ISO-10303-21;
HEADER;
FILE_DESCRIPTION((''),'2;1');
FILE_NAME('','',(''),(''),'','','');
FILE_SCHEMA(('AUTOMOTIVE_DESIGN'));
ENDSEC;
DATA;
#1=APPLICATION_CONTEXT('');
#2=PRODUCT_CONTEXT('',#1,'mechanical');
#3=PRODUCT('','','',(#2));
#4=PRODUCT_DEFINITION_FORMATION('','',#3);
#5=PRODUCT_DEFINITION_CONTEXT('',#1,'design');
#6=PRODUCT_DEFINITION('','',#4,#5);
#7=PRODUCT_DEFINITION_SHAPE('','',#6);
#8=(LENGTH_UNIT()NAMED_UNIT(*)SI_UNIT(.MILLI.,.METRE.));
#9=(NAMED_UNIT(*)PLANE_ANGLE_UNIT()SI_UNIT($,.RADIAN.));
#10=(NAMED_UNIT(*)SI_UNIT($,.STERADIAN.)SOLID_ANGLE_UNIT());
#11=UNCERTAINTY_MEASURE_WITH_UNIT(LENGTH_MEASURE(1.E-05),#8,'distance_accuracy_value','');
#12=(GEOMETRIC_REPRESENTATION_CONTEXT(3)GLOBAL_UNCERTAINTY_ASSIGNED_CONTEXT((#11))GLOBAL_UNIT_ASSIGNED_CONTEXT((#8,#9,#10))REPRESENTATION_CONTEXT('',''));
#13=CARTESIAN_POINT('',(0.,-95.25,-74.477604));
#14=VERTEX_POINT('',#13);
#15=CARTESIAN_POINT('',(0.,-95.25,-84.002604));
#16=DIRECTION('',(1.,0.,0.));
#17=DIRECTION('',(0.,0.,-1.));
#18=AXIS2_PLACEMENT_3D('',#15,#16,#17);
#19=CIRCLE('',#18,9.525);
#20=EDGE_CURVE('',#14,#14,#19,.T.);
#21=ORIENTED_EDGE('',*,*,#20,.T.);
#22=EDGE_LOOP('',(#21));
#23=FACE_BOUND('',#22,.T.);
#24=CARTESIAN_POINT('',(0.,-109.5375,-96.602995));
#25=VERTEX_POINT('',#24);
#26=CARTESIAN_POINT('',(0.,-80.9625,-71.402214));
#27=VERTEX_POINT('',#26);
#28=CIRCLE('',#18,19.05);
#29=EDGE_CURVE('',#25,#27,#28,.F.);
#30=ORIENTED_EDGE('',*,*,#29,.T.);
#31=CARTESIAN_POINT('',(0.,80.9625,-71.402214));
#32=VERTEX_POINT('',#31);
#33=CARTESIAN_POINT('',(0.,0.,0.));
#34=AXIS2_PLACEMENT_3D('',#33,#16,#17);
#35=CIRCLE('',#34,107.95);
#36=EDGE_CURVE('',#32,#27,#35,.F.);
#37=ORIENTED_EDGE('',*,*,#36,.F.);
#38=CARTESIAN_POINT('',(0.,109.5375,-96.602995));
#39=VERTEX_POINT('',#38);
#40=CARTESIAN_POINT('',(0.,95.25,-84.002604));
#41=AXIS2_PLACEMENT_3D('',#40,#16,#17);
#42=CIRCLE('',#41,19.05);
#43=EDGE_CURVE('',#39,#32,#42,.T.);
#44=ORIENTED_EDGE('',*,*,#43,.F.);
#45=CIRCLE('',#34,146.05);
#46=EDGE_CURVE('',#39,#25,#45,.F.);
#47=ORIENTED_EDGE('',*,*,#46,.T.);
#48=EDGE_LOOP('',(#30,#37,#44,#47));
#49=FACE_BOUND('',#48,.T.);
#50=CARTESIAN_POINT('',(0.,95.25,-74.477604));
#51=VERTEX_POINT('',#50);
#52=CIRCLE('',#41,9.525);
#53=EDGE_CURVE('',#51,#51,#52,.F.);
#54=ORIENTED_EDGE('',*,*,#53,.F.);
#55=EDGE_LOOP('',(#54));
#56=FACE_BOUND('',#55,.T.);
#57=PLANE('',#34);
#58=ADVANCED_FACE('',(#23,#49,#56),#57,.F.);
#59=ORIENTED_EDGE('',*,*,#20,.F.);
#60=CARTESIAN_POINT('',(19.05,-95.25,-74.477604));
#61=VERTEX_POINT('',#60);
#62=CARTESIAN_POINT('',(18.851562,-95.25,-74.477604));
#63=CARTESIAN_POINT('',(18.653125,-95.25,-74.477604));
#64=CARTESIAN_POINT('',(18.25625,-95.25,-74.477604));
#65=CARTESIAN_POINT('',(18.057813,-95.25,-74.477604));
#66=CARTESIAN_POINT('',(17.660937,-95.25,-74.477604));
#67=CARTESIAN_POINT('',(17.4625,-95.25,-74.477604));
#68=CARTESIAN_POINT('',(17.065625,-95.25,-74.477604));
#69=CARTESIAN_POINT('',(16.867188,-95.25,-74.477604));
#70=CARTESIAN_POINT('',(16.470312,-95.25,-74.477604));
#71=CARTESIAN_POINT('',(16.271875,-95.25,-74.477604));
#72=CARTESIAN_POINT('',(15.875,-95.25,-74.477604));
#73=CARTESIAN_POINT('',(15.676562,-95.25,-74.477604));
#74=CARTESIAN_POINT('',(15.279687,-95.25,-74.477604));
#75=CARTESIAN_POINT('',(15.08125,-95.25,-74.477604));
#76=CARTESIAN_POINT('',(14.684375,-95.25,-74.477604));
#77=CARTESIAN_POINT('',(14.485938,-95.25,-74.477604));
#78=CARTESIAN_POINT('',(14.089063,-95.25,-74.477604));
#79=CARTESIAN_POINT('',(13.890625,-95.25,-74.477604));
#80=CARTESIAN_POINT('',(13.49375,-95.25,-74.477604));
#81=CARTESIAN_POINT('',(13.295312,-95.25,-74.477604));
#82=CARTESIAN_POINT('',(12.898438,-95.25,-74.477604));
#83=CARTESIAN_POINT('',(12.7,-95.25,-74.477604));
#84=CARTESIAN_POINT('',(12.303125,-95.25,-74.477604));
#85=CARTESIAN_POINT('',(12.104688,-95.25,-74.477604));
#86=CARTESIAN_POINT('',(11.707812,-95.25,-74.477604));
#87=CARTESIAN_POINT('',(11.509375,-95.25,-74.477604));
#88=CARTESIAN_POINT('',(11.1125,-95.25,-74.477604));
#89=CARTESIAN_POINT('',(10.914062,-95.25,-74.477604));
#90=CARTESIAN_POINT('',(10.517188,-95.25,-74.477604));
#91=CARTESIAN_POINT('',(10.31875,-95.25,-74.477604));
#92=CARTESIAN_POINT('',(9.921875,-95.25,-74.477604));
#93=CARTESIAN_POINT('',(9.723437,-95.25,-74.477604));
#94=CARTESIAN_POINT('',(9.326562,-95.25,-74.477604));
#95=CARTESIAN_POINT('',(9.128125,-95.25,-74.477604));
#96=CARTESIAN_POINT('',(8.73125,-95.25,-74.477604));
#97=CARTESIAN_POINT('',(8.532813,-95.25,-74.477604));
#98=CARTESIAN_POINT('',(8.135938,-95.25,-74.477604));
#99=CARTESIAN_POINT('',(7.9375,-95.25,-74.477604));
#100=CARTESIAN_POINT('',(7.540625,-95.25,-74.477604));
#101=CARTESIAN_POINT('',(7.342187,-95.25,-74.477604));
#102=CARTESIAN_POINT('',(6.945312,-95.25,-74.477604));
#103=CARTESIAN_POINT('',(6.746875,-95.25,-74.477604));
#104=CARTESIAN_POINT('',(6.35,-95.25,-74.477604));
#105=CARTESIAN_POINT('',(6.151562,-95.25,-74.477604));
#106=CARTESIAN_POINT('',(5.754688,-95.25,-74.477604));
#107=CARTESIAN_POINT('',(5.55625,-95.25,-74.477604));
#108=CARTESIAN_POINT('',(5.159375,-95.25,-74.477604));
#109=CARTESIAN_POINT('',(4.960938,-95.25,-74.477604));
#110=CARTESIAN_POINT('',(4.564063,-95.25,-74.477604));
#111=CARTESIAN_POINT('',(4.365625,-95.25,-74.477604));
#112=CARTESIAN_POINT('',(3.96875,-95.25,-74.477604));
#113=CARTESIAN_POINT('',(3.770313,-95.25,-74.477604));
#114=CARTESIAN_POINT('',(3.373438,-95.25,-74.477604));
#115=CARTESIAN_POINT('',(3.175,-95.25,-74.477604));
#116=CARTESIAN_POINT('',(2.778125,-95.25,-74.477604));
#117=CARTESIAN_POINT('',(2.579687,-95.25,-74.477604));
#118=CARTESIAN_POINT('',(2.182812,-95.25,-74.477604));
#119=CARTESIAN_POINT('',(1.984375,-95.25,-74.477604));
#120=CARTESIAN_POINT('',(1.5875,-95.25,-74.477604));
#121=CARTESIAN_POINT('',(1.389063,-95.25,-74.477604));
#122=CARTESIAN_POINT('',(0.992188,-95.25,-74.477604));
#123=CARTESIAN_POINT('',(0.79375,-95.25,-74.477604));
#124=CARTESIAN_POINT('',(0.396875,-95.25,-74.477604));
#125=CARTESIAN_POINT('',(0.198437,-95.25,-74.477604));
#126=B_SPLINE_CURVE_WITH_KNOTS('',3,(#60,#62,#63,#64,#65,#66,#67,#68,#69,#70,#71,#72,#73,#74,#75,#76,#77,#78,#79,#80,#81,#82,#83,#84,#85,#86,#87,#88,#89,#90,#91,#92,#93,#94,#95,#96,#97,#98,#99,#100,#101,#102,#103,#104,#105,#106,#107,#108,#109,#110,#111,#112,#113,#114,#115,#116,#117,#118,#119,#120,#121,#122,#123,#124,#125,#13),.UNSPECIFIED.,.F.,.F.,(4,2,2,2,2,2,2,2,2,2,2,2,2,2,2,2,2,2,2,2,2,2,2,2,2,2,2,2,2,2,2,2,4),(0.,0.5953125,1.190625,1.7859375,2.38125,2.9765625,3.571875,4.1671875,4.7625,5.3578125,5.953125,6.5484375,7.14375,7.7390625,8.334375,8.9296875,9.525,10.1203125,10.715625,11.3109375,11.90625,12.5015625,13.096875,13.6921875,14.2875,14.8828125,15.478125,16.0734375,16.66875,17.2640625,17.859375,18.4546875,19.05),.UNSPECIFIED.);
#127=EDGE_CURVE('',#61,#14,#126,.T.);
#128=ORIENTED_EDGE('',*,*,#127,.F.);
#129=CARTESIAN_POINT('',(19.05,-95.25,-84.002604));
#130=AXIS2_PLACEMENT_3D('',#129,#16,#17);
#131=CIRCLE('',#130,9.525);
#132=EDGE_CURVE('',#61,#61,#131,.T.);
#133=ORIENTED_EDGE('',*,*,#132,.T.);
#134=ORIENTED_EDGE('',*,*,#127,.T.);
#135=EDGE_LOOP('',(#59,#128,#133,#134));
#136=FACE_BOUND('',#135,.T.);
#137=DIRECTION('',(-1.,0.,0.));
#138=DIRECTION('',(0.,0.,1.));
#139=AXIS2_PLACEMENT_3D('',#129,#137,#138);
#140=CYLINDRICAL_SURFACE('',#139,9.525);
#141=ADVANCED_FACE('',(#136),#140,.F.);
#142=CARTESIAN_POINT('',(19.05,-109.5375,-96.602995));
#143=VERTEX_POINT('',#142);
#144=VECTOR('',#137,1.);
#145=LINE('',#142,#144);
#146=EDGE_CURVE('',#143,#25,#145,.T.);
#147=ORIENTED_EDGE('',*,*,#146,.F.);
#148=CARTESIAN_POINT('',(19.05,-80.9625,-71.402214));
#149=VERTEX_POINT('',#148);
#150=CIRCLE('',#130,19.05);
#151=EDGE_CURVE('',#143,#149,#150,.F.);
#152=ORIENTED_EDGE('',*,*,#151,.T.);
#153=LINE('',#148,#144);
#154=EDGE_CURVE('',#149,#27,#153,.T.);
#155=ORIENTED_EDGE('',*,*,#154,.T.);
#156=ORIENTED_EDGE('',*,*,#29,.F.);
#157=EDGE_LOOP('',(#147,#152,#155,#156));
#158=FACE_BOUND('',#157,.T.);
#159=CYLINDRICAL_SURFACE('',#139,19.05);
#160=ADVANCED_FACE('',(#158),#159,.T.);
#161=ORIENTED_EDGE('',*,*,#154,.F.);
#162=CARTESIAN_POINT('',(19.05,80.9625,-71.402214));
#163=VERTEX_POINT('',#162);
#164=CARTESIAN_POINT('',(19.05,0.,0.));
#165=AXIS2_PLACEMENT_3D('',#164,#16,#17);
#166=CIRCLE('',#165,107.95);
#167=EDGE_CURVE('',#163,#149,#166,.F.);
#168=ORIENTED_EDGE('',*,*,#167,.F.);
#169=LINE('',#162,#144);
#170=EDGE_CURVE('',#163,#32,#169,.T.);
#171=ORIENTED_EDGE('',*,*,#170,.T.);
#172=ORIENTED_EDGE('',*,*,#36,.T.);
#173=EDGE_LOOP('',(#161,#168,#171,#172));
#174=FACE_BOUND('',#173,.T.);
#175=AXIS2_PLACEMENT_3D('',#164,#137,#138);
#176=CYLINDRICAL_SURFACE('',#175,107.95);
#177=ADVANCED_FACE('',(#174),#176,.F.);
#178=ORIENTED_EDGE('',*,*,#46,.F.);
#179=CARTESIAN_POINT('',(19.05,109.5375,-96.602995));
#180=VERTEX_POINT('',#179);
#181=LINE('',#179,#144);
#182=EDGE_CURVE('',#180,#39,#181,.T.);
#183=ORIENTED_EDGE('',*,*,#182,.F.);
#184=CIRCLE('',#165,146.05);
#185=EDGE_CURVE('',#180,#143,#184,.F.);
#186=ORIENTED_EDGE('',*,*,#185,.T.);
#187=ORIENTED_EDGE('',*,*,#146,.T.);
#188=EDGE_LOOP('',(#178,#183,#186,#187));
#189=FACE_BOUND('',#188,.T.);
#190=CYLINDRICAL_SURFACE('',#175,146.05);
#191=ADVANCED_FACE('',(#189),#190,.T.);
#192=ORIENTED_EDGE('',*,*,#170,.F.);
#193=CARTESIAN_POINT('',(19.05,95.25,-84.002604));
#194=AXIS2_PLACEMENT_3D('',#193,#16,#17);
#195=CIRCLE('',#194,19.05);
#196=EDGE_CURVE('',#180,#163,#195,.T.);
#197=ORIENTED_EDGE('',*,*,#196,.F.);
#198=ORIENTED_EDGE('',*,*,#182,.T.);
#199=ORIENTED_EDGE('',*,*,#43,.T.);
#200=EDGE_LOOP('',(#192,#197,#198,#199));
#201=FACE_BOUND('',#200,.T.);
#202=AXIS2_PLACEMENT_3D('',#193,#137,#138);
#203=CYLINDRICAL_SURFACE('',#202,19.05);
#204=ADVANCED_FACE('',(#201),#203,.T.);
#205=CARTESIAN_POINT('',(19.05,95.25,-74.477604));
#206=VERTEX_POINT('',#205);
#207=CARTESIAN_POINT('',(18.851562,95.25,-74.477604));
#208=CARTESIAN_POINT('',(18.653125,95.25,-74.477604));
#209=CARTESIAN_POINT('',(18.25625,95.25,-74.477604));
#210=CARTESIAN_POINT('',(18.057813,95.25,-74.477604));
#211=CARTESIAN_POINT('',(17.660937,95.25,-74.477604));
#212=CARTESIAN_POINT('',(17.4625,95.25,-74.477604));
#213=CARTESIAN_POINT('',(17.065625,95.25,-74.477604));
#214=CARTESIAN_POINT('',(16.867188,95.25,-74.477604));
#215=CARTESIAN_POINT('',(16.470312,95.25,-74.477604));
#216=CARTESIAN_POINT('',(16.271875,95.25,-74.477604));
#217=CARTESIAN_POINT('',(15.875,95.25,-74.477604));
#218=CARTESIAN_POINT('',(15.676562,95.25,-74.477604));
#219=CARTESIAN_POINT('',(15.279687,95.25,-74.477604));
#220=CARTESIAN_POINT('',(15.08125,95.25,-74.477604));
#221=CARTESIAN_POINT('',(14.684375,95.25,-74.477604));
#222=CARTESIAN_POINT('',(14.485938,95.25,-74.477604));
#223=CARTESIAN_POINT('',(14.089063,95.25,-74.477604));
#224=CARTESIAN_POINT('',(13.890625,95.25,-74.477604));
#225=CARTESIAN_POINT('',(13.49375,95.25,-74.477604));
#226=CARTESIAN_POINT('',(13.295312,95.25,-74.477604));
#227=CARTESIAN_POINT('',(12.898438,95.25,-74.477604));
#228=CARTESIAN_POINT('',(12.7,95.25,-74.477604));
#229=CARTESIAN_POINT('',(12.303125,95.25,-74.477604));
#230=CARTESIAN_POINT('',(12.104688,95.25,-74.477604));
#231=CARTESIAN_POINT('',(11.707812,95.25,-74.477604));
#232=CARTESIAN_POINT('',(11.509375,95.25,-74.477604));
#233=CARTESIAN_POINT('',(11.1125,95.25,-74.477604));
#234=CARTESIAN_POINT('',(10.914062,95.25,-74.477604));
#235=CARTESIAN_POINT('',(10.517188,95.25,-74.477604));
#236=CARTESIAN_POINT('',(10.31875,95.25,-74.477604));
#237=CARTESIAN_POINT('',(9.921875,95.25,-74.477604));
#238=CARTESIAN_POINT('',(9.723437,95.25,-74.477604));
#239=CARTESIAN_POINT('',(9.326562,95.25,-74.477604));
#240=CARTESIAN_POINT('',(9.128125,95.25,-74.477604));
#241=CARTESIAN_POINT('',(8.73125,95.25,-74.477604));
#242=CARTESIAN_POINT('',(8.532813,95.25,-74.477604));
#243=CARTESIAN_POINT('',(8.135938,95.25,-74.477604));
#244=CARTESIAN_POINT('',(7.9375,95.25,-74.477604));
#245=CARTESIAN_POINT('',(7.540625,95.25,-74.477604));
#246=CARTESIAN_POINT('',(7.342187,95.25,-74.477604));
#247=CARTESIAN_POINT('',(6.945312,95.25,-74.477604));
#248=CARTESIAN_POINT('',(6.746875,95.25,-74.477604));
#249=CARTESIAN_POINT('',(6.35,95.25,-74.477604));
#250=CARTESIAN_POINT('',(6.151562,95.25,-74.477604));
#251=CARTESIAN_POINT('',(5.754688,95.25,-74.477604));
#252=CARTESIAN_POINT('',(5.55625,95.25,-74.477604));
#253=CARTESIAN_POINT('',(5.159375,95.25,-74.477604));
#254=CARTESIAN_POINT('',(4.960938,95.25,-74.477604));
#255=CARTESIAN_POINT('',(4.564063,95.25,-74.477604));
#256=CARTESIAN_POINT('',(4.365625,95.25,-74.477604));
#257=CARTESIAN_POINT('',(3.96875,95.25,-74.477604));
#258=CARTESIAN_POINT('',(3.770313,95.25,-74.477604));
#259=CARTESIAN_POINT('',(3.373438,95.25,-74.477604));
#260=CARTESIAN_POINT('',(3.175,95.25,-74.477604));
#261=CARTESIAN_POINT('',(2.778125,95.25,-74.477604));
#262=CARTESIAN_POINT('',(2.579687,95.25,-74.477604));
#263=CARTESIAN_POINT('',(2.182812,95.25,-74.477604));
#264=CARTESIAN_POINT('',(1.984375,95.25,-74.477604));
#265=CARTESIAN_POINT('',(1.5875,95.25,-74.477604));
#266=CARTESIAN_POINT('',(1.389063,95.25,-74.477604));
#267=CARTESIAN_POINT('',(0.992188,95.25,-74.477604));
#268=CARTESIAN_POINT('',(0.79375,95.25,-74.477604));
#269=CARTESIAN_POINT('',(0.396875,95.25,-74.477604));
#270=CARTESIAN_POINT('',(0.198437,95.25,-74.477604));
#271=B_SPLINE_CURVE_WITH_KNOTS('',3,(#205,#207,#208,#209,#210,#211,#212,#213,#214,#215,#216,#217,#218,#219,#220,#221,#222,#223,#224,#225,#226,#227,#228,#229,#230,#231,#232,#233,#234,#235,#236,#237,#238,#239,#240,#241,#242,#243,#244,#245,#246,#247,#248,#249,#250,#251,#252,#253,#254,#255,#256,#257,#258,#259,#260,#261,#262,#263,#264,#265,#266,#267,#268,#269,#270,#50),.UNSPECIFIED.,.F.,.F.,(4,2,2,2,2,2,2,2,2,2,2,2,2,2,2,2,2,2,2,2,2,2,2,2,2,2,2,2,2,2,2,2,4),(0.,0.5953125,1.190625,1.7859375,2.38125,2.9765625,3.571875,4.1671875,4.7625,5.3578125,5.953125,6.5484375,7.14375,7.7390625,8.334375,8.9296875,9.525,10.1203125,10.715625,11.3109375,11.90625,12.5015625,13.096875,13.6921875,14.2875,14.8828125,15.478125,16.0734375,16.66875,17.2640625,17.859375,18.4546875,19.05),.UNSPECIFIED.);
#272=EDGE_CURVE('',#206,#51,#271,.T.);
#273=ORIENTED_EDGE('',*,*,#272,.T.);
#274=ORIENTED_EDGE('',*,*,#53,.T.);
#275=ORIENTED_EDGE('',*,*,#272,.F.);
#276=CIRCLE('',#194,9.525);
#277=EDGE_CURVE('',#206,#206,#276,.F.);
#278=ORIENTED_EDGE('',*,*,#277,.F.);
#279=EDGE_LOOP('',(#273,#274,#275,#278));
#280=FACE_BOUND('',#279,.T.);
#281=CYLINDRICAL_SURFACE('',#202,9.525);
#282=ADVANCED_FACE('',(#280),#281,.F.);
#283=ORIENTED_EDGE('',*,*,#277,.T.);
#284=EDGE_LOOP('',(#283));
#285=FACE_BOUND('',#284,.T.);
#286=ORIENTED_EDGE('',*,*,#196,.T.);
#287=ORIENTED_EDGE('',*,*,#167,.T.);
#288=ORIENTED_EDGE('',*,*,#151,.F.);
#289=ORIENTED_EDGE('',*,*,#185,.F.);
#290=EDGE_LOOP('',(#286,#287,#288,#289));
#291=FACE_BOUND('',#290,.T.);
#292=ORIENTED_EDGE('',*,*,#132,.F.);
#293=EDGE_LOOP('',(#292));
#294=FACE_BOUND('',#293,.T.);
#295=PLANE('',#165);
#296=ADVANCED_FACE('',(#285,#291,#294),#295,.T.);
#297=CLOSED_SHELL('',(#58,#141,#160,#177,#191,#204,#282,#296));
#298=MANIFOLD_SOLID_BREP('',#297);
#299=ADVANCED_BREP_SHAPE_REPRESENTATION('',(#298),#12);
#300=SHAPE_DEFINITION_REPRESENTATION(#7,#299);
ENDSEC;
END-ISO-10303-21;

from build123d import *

# Parameters (mm, degrees)
SKETCH1_R           = 9.525
BOSS_EXTRUDE1_DEPTH = 19.05


with BuildPart() as part:
    # Sketch1 → Boss-Extrude1 (new body)
    with BuildSketch(Plane.YZ):
        with BuildLine():
            ThreePointArc((109.5375, -96.602994745), (0, -146.05), (-109.5375, -96.602994745))
            ThreePointArc((-109.5375, -96.602994745), (-107.850390619, -69.715104126), (-80.9625, -71.402213507))
            ThreePointArc((-80.9625, -71.402213507), (0, -107.95), (80.9625, -71.402213507))
            ThreePointArc((80.9625, -71.402213507), (107.850390619, -69.715104126), (109.5375, -96.602994745))
        make_face()
        with Locations(Location((-95.25, -84.002604126, 0), (0, 0, 90))):
            Circle(SKETCH1_R, mode=Mode.SUBTRACT)
        with Locations(Location((95.25, -84.002604126, 0), (0, 0, 90))):
            Circle(SKETCH1_R, mode=Mode.SUBTRACT)
    extrude(amount=BOSS_EXTRUDE1_DEPTH)


solid = part.part
